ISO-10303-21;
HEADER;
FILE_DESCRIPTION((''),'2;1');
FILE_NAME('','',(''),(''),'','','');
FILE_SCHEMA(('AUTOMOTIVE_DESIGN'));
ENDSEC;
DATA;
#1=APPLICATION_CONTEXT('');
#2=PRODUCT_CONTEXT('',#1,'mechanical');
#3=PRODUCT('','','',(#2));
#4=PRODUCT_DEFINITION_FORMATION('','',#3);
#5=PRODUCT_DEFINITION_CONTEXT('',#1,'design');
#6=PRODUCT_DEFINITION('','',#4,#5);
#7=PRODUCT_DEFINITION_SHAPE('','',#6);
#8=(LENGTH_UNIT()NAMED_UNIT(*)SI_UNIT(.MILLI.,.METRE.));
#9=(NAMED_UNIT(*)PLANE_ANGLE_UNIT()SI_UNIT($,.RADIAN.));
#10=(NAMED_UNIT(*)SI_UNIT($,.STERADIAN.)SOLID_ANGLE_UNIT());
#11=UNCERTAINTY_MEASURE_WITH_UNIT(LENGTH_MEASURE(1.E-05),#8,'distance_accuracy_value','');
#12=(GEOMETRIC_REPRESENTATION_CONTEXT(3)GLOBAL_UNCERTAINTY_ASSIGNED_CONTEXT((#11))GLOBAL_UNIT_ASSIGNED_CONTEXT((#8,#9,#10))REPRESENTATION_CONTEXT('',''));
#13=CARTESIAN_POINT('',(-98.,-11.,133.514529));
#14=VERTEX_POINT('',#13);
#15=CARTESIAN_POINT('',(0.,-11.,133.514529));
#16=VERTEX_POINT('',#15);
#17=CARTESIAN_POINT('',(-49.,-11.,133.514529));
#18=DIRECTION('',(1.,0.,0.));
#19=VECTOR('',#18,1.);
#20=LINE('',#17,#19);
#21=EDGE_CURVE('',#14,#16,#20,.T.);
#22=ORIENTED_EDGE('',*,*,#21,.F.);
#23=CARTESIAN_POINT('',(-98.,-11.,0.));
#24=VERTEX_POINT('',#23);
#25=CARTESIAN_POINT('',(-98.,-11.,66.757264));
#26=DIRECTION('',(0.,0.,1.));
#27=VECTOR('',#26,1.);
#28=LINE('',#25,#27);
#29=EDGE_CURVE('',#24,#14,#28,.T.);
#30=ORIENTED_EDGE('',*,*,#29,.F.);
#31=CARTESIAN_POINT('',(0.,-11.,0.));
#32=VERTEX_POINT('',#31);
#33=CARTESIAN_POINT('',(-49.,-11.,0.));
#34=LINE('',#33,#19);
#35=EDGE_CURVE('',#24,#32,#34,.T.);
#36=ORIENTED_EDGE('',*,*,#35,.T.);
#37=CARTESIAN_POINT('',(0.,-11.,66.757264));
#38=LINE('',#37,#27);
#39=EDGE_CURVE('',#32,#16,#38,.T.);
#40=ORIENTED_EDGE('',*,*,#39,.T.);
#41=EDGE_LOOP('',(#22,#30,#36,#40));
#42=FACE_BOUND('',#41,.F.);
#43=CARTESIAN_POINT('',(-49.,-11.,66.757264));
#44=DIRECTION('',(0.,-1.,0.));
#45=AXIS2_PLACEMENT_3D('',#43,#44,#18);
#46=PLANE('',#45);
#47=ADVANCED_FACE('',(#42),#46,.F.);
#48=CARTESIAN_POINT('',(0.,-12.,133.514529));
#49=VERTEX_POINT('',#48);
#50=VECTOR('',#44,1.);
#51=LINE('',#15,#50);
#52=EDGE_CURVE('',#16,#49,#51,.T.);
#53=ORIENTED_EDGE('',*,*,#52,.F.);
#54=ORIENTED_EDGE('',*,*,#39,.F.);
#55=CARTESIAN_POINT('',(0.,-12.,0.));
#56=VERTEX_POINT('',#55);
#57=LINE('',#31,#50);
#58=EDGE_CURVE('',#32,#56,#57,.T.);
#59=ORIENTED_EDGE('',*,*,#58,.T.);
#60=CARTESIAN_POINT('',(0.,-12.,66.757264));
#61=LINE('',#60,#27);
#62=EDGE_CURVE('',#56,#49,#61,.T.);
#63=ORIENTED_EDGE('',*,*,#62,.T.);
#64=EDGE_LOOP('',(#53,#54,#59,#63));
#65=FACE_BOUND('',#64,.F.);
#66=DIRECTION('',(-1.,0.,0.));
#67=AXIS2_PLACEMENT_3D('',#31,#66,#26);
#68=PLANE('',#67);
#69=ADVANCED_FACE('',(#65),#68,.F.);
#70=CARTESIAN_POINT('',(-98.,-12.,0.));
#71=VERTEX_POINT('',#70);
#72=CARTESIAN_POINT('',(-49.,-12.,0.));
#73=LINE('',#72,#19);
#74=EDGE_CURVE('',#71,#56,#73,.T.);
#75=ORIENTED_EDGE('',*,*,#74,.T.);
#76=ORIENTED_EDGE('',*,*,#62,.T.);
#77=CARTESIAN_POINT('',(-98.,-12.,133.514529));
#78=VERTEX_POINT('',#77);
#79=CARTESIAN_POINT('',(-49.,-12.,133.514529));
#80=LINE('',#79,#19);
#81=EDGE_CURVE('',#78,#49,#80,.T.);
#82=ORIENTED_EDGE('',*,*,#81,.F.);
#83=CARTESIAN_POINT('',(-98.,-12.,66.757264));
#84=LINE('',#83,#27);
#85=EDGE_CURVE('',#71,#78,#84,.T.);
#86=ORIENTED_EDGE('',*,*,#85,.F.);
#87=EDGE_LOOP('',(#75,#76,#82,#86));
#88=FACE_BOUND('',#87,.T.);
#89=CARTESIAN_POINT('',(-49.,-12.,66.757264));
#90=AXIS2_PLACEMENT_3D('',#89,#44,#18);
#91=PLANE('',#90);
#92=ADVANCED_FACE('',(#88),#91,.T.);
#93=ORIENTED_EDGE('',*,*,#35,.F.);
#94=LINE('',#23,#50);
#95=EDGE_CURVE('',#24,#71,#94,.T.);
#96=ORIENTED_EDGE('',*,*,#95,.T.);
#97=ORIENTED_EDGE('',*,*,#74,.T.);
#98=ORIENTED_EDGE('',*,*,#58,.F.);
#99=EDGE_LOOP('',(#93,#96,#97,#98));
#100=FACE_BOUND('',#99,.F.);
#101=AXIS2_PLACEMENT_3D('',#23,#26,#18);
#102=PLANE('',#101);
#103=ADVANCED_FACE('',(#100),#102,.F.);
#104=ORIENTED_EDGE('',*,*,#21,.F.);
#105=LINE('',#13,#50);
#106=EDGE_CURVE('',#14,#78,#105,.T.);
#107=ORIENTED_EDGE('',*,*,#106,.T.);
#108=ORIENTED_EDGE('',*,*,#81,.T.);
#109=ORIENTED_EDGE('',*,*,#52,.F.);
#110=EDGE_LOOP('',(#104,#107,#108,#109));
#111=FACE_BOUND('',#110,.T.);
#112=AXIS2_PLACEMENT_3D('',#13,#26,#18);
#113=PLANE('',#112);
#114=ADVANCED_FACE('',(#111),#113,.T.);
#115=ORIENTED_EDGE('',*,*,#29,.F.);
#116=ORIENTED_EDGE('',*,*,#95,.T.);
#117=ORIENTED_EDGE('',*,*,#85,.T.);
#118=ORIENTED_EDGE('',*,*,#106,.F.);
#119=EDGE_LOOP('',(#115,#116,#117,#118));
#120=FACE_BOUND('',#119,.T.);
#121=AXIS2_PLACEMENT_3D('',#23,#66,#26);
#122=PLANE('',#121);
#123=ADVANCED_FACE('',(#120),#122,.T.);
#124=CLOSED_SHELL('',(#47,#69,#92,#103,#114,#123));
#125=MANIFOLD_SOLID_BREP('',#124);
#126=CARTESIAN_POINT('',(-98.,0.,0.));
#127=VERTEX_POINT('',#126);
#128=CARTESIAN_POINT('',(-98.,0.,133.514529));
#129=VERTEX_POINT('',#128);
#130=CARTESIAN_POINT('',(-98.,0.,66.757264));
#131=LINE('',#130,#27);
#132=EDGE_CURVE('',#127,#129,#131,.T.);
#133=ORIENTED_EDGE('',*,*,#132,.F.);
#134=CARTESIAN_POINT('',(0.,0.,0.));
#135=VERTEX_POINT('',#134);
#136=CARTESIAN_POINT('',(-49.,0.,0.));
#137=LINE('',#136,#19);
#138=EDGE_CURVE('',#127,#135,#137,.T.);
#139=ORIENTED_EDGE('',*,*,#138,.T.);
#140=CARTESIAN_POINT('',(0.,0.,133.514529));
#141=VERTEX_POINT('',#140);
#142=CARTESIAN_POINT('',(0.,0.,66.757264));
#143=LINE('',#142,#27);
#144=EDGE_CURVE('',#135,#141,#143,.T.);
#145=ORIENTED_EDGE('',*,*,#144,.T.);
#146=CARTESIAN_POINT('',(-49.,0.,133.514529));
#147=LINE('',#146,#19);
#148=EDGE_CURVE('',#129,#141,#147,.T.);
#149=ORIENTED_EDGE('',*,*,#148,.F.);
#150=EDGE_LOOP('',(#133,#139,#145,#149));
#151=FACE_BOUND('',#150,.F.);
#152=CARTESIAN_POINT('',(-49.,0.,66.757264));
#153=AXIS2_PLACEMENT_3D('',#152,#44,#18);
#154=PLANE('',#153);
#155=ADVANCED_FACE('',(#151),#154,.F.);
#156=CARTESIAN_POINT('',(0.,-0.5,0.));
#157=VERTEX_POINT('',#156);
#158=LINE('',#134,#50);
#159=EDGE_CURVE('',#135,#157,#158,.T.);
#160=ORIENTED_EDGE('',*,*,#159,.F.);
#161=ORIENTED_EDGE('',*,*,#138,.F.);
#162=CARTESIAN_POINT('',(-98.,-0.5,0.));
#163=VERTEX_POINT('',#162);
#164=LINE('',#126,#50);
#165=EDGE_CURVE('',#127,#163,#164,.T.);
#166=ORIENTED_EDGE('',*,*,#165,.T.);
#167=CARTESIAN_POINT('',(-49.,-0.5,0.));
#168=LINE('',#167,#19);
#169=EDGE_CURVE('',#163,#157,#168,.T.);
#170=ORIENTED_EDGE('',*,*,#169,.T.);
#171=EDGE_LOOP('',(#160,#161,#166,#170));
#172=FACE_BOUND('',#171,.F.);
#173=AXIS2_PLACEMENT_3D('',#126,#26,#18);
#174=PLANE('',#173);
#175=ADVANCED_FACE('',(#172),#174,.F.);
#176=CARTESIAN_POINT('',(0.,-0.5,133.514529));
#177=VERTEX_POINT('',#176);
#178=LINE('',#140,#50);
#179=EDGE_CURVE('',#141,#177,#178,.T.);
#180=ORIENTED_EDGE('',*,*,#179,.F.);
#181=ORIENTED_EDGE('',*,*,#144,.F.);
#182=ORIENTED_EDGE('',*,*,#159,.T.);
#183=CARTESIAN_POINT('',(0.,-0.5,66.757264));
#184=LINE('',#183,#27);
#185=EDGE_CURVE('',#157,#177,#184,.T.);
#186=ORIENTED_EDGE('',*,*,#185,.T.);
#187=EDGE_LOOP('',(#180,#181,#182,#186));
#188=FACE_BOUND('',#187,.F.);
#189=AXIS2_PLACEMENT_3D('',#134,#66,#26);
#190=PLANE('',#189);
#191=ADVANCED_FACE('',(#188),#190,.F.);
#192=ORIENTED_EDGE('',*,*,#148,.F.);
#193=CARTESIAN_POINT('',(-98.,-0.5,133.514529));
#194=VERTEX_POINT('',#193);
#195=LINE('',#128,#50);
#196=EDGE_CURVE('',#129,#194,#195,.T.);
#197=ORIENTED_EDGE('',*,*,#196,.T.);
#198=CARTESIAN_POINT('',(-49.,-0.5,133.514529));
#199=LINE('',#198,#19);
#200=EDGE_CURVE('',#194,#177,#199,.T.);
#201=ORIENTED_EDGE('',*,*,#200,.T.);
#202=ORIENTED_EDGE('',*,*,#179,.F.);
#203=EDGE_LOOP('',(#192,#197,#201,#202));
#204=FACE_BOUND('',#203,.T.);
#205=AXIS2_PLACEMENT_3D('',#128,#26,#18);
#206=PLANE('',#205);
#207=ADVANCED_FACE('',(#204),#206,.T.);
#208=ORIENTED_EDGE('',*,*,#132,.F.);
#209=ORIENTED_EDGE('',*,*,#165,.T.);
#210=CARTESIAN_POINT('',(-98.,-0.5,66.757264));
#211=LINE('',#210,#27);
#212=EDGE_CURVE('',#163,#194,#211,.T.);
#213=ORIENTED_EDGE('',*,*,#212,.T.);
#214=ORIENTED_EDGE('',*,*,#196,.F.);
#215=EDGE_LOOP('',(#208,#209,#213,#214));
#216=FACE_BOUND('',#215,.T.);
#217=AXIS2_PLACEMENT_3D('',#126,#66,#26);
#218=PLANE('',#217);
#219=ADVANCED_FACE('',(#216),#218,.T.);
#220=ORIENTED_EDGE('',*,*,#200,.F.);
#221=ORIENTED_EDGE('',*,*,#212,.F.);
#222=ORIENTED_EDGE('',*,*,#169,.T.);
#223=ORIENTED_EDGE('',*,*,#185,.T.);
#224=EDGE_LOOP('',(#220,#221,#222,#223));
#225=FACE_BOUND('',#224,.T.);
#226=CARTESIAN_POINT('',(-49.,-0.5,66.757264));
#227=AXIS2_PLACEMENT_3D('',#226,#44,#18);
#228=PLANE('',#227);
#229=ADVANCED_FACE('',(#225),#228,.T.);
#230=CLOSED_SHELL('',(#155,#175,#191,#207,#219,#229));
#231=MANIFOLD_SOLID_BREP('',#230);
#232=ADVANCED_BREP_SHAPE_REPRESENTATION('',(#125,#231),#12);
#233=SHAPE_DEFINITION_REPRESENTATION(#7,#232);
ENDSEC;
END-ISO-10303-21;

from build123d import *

# Parameters (mm, degrees)
F0_W     = 98
F0_H     = 133.5145288536
F1_DEPTH = 0.5
F3_START = 11
F2_W     = 98
F2_H     = 133.5145288536
F3_DEPTH = 1


with BuildPart() as f1:
    # F0 (on Front) → F1 (new body)
    with BuildSketch(Plane.XZ):
        with Locations((-49, 66.7572644268)):
            Rectangle(F0_W, F0_H)
    extrude(amount=F1_DEPTH)


with BuildPart() as f3:
    # F2 (on Front) → F3 (new body)
    with BuildSketch(Plane.XZ.offset(F3_START)):
        with Locations((-49, 66.7572644268)):
            Rectangle(F2_W, F2_H)
    extrude(amount=F3_DEPTH)


solid = Compound([f1.part, f3.part])
